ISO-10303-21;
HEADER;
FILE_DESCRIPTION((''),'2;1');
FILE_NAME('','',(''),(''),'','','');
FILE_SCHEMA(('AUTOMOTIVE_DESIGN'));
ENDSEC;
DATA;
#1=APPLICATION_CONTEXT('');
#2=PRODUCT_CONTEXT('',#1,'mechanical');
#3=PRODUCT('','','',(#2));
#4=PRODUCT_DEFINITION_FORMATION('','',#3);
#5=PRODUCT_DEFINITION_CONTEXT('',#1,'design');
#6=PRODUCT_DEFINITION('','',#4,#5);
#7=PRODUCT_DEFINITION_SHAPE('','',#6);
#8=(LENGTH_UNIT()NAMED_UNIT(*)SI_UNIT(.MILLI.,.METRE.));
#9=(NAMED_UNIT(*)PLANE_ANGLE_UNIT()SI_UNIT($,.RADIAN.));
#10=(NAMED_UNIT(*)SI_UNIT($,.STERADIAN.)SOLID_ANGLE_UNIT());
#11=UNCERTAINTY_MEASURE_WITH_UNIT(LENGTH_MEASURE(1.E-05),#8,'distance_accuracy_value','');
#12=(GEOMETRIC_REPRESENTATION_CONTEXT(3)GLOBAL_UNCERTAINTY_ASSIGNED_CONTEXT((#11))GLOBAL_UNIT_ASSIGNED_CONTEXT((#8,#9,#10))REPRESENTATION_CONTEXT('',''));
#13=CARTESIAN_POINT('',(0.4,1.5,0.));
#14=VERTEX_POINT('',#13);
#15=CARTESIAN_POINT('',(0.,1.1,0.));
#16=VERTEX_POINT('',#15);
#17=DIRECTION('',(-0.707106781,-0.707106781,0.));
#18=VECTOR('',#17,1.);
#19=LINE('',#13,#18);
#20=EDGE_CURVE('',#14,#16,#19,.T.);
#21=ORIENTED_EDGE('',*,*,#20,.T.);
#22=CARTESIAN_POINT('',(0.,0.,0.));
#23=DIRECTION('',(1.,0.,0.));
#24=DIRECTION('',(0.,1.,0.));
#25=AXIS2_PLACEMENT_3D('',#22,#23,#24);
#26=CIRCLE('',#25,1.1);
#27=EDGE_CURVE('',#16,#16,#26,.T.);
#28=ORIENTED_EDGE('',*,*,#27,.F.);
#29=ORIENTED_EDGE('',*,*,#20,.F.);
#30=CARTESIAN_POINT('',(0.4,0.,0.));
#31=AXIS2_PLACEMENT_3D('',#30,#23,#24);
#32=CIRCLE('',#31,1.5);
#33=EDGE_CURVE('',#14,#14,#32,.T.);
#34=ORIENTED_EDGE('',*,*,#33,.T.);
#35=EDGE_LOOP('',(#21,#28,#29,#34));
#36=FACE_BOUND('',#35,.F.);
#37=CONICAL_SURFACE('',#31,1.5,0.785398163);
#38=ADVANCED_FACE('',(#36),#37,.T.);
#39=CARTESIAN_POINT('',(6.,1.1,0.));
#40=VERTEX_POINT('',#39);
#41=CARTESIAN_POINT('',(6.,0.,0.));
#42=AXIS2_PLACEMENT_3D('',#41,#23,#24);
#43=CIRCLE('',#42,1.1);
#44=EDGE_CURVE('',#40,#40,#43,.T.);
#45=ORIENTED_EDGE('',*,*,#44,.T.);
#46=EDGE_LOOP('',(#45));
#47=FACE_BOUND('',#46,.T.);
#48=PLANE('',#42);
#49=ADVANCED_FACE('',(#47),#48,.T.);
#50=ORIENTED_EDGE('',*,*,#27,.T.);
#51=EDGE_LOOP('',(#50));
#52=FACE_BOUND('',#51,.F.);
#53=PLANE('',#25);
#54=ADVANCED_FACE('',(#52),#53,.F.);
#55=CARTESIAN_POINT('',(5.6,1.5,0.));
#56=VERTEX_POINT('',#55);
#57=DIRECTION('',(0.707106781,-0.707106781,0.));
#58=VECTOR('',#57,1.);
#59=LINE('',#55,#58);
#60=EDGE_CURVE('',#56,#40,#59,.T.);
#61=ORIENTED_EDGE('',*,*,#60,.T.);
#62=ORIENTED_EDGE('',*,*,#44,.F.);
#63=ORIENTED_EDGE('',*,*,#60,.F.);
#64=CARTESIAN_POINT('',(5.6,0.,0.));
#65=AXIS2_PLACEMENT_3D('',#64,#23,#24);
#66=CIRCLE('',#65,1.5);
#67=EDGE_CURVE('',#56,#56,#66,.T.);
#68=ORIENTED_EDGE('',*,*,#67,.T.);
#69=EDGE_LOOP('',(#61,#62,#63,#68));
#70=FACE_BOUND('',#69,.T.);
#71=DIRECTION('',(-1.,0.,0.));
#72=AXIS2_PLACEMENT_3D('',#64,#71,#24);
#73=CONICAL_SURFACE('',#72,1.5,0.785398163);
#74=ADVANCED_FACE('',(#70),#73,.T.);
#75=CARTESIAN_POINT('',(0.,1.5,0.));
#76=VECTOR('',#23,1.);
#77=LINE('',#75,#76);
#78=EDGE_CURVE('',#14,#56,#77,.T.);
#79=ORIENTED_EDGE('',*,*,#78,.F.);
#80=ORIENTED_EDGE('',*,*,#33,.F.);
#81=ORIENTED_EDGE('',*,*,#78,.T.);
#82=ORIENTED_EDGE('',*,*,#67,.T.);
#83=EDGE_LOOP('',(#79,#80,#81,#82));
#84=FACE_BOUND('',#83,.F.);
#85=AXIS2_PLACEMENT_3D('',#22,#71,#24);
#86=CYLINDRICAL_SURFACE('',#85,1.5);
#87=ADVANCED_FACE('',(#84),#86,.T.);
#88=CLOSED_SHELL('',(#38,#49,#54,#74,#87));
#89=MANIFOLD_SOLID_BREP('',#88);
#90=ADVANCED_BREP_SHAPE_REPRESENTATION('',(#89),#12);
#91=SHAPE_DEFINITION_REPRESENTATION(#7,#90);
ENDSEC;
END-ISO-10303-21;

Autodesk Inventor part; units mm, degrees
ref_plane "YZ Plane" through (0, 0, 0) normal (1, 0, 0) x (0, 1, 0)
ref_plane "XZ Plane" through (0, 0, 0) normal (0, 1, 0) x (-1, 0, 0)
ref_plane "XY Plane" through (0, 0, 0) normal (0, 0, 1) x (1, 0, 0)
sketch "Skizze" plane through (0, 0, 0) normal (1, 0, 0) x (0, 1, 0)
  circle A0 centre (0, 0) radius 1.5
  dimension "d1" = 3
extrude "Körper" add sketch "Skizze" along normal blind 6
chamfer "Fase1" distance 0.4 angle 45 1 edges at (0, -1.5, 0) measured on face at (4, 1.4806, -0.2406)
chamfer "Skizze2" distance 0.4 angle 45 1 edges at (6, -1.5, 0) measured on face at (4.1333, 1.4951, -0.1207)
equation "\"d1\" = NND"
equation "\"d2\" = NLG"
equation "\"d4\" = PHH"
equation "\"d5\" = FAWI"
equation "\"d11\" = PHH"
equation "\"d8\" = PHH"
equation "\"d9\" = FAWI"
equation "\"d12\" = PHH"
equation "\"NND\" = 3"
equation "\"NLG\" = 6"
equation "\"PHH\" = 0.4"
equation "\"FAWI\" = 45deg"
equation "\"KAH\" = 0.3"
equation "\"NLG1\" = 6.8"
properties part number "CNS 397 - 3 x 6" material "Stahl, weich"
